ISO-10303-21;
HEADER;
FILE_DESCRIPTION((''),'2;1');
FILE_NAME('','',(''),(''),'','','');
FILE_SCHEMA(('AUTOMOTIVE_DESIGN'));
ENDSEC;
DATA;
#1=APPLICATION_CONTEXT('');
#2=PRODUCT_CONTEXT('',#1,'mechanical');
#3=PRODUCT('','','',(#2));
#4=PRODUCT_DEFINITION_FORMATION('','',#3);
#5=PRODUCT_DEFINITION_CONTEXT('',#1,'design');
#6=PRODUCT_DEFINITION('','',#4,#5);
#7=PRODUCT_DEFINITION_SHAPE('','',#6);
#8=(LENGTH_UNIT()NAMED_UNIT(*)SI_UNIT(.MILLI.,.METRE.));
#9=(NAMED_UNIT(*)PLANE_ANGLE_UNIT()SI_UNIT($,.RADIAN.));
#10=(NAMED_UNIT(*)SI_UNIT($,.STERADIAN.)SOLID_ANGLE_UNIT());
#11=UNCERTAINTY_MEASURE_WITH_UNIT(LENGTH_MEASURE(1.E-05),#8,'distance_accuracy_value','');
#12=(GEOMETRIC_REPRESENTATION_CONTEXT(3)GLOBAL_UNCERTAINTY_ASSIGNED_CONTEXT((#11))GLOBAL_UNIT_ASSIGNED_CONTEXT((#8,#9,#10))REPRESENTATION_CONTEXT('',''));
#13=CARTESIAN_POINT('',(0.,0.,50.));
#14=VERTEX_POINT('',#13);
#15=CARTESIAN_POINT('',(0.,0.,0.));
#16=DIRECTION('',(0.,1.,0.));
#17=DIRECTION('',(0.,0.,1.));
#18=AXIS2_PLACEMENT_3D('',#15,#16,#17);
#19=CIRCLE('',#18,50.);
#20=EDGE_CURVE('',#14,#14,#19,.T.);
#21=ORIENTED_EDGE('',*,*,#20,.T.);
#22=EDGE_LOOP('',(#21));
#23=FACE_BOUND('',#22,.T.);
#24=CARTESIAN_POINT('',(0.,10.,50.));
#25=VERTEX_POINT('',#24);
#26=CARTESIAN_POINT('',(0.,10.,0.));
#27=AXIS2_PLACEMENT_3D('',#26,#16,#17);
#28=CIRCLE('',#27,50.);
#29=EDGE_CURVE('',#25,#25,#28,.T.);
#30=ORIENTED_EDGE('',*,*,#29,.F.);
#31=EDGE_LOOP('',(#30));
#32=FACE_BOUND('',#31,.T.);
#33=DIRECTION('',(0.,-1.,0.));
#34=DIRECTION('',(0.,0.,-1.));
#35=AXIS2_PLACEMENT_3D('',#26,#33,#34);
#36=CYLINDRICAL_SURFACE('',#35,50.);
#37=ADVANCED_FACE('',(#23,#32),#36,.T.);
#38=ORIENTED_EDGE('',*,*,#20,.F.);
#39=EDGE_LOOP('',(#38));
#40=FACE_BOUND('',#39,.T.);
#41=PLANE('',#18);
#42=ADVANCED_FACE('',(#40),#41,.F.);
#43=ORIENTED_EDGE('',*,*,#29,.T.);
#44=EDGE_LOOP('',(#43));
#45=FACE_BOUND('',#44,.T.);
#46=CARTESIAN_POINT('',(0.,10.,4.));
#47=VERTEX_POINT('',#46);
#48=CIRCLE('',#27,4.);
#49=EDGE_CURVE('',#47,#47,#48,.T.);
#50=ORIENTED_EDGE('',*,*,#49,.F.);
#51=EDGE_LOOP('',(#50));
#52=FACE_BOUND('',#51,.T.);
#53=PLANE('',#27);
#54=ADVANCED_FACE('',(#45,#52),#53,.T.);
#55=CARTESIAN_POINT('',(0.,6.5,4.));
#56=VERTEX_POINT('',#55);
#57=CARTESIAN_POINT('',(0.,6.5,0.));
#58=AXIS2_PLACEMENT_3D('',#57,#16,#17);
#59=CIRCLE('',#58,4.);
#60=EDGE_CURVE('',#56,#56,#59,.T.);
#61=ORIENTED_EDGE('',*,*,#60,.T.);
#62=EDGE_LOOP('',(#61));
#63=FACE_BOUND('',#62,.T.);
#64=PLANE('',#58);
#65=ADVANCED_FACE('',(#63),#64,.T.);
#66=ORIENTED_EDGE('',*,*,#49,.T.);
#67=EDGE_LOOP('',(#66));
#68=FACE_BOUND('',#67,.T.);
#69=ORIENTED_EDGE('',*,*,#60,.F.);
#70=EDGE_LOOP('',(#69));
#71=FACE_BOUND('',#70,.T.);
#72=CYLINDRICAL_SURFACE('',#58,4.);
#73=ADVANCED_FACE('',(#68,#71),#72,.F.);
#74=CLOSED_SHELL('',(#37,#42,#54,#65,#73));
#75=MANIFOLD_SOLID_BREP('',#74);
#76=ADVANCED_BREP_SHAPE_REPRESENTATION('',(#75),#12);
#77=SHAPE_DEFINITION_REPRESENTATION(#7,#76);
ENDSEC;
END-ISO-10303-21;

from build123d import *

# Parameters (mm, degrees)
SKETCH1_R           = 50
BOSS_EXTRUDE1_DEPTH = 10
SKETCH2_R           = 4
CUT_EXTRUDE1_DEPTH  = 3.5


with BuildPart() as part:
    # Sketch1 → Boss-Extrude1 (new body)
    with BuildSketch(Plane(origin=(0, 0, 0), x_dir=(1, 0, 0), z_dir=(0, 1, 0))):
        with Locations(Location((0, 0, 0), (0, 0, 270))):
            Circle(SKETCH1_R)
    extrude(amount=BOSS_EXTRUDE1_DEPTH)

    # Sketch2 → Cut-Extrude1 (cut)
    with BuildSketch(Plane(origin=(0, 10, 0), x_dir=(1, 0, 0), z_dir=(0, 1, 0))):
        with Locations(Location((0, 0, 0), (0, 0, 270))):
            Circle(SKETCH2_R)
    extrude(amount=-CUT_EXTRUDE1_DEPTH, mode=Mode.SUBTRACT)


solid = part.part
